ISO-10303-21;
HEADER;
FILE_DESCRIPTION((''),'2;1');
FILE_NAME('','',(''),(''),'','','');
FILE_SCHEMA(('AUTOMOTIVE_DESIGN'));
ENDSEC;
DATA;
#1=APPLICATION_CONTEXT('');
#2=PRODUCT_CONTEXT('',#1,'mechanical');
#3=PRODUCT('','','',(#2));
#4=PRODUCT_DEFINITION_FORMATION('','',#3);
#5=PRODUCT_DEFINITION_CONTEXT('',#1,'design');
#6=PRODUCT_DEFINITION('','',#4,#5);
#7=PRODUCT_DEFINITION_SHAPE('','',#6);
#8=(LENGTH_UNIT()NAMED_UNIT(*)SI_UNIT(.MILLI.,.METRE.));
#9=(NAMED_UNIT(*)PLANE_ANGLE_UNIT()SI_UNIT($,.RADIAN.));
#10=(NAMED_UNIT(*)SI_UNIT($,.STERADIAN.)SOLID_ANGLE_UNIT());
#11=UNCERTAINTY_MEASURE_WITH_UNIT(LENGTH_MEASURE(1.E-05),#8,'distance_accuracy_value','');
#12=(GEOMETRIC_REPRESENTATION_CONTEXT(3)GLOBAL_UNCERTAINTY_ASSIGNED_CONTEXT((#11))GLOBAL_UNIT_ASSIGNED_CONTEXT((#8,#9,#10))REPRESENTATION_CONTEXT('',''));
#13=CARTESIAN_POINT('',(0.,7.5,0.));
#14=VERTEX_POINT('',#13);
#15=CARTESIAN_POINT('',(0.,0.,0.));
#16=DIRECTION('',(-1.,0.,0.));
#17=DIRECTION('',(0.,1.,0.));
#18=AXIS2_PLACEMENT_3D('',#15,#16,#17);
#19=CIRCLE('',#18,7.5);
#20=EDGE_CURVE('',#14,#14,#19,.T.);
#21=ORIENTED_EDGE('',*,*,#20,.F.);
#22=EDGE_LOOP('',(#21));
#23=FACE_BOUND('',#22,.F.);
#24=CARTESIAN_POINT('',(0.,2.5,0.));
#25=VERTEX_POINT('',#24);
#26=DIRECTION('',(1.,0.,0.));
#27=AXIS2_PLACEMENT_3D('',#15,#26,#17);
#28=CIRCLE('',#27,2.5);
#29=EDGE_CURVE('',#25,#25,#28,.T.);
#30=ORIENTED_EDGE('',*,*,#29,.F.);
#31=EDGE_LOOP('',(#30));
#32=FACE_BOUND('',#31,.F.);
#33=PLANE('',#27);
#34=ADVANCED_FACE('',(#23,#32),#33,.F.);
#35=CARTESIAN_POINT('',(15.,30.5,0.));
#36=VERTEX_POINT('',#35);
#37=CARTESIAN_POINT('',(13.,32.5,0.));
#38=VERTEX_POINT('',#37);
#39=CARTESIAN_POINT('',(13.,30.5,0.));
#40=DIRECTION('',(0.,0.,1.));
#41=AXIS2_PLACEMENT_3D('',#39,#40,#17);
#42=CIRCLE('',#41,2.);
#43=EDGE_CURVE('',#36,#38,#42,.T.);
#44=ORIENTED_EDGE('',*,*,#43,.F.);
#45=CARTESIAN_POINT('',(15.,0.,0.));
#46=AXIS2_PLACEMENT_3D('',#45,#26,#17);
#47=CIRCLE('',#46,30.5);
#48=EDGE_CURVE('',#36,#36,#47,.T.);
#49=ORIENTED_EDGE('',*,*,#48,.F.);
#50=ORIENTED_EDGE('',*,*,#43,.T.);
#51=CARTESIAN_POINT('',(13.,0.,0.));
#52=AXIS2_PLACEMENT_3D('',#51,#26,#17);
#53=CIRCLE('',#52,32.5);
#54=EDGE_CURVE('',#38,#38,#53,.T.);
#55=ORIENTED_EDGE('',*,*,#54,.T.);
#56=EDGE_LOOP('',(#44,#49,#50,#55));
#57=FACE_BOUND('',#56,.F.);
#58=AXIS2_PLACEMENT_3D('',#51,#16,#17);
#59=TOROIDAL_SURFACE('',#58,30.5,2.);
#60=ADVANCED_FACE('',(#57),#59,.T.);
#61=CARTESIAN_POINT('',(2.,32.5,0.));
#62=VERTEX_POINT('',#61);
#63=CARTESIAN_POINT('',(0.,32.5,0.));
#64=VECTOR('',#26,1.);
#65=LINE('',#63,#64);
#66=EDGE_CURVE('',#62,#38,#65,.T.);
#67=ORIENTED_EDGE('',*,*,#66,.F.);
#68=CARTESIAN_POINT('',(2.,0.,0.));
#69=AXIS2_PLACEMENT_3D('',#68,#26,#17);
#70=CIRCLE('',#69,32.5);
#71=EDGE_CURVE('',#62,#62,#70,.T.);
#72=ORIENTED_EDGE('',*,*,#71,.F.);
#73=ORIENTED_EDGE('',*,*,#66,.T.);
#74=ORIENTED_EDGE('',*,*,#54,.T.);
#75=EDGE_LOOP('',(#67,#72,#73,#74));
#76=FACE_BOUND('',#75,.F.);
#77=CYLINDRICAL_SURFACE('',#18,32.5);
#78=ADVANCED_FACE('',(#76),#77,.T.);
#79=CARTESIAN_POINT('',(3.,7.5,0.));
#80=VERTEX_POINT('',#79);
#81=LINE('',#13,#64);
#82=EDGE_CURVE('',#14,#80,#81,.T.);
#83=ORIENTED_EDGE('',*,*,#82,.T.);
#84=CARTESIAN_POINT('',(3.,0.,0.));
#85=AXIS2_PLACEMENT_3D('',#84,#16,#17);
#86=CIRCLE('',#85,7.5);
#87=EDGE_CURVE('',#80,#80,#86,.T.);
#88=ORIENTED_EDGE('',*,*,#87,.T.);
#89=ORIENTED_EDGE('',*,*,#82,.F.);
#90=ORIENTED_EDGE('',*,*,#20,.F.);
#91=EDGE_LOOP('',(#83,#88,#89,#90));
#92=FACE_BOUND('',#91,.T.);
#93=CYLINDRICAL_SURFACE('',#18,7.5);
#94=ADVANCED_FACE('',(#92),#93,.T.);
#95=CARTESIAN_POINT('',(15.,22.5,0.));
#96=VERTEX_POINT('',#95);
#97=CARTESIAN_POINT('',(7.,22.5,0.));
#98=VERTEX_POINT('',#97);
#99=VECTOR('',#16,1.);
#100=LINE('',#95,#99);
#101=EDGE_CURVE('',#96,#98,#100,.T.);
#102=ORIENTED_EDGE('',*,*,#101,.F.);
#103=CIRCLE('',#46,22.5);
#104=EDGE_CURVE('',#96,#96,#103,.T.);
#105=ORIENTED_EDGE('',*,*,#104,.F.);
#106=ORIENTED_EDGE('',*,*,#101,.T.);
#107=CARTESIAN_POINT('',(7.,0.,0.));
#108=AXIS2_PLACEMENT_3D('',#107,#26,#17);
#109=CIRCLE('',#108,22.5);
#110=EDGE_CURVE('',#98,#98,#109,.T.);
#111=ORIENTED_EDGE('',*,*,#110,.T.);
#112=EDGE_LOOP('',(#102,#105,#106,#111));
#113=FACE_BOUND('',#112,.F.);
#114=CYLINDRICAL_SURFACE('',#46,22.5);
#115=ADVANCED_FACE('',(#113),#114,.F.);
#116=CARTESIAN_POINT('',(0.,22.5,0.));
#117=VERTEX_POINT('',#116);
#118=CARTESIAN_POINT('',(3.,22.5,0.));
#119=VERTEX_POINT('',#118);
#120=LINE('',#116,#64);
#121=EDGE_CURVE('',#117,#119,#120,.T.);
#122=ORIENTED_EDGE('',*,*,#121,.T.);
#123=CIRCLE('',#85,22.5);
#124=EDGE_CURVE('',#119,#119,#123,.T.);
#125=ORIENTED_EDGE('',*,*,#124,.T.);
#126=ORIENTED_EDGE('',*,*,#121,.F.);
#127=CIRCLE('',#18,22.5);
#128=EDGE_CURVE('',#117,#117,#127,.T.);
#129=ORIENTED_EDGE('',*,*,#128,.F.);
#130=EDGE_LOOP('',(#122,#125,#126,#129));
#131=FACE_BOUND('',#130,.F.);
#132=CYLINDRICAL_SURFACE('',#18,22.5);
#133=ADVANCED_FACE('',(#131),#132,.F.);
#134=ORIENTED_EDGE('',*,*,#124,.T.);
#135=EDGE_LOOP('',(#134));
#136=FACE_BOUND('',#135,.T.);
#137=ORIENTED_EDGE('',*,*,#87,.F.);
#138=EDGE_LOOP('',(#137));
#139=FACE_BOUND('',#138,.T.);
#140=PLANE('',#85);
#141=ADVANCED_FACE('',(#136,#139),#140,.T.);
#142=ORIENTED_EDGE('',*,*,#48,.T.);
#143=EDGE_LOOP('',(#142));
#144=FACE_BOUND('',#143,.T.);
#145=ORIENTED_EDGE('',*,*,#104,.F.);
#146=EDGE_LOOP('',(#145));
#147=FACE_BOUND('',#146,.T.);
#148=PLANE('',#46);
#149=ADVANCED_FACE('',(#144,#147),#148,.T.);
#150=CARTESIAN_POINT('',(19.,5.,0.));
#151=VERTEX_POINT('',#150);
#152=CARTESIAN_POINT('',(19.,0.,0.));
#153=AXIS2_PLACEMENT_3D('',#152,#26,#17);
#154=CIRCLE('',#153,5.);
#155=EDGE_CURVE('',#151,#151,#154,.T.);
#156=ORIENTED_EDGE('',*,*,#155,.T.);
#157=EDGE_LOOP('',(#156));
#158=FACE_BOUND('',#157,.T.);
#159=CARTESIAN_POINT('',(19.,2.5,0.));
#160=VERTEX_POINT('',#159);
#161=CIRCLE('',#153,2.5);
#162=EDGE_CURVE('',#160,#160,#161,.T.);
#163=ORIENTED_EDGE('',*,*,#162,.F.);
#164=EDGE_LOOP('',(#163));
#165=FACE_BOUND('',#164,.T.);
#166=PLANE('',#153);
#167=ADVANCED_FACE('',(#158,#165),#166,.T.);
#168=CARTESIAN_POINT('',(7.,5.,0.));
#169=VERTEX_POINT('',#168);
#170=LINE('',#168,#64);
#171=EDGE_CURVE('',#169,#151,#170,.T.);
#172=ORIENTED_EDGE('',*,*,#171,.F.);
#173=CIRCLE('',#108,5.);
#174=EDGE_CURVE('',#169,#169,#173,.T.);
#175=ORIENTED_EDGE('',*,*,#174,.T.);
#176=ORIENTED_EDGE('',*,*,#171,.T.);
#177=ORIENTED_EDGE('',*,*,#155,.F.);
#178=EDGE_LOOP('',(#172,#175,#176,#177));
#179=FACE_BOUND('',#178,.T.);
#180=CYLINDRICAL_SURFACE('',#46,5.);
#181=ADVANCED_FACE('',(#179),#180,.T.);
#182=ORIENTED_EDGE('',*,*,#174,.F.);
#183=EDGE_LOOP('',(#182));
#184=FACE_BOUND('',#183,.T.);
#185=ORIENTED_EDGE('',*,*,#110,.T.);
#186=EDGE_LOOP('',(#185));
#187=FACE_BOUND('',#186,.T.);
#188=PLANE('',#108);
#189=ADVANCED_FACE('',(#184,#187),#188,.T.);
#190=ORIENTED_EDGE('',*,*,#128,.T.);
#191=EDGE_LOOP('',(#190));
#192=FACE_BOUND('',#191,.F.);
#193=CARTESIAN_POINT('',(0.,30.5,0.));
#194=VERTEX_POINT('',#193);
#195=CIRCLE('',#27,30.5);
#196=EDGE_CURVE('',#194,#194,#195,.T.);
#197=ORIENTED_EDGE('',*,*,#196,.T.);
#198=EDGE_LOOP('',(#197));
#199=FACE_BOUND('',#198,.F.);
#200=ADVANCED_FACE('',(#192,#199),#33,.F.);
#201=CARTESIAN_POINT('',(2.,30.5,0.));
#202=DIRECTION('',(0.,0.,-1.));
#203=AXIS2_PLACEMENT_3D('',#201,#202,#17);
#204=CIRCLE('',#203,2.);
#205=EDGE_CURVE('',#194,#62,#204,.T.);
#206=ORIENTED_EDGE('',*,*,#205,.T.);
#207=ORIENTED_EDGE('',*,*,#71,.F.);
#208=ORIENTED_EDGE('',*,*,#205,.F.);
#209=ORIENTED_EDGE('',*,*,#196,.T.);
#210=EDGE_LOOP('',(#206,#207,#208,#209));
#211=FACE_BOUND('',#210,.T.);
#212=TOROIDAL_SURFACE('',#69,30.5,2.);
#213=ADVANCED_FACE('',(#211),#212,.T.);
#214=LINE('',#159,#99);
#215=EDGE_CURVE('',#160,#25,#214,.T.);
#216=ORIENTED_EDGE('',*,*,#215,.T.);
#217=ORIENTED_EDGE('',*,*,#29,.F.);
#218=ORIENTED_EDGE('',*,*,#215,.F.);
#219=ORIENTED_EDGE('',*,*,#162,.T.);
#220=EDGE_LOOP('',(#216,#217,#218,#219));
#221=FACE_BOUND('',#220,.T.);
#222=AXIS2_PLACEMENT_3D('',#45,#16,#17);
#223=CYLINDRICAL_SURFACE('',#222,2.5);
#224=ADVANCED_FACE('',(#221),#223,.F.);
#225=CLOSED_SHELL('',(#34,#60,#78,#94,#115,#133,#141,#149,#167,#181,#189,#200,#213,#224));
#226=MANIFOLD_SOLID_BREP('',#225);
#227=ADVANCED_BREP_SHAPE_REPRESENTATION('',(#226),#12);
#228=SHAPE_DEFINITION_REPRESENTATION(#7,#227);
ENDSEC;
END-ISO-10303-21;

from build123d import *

# Parameters (mm, degrees)
SKETCH_R        = 32.5
SKETCH_R_2      = 2.5
PAD_DEPTH       = 15
SKETCH001_R     = 5
SKETCH001_R_2   = 2.5
PAD001_DEPTH    = 4
SKETCH002_R     = 22.5
SKETCH002_R_2   = 7.5
POCKET_DEPTH    = 3
SKETCH003_R     = 22.5
SKETCH003_R_2   = 5
POCKET001_DEPTH = 8
FILLET_R        = 2
FILLET001_R     = 2


with BuildPart() as part:
    # Sketch → Pad (new body)
    with BuildSketch(Plane.YZ):
        Circle(SKETCH_R)
        Circle(SKETCH_R_2, mode=Mode.SUBTRACT)
    extrude(amount=PAD_DEPTH)

    # Sketch001 (on Face4 of Pad) → Pad001 (join)
    with BuildSketch(Plane.YZ.offset(15)):
        Circle(SKETCH001_R)
        Circle(SKETCH001_R_2, mode=Mode.SUBTRACT)
    extrude(amount=PAD001_DEPTH)

    # Sketch002 (on Face2 of Pad001) → Pocket (cut)
    with BuildSketch(Plane(origin=(0, 0, 0), x_dir=(0, 1, 0), z_dir=(-1, 0, 0))):
        Circle(SKETCH002_R)
        Circle(SKETCH002_R_2, mode=Mode.SUBTRACT)
    extrude(amount=-POCKET_DEPTH, mode=Mode.SUBTRACT)

    # Sketch003 (on Face3 of Pocket) → Pocket001 (cut)
    with BuildSketch(Plane.YZ.offset(15)):
        Circle(SKETCH003_R)
        Circle(SKETCH003_R_2, mode=Mode.SUBTRACT)
    extrude(amount=-POCKET001_DEPTH, mode=Mode.SUBTRACT)

    # Fillet
    fillet_edges = [part.edges().sort_by_distance(p)[0] for p in [
        (15, -32.5, 0),
    ]]
    fillet(fillet_edges, radius=FILLET_R)

    # Fillet001
    fillet001_edges = [part.edges().sort_by_distance(p)[0] for p in [
        (0, -32.5, 0),
    ]]
    fillet(fillet001_edges, radius=FILLET001_R)


solid = part.part
